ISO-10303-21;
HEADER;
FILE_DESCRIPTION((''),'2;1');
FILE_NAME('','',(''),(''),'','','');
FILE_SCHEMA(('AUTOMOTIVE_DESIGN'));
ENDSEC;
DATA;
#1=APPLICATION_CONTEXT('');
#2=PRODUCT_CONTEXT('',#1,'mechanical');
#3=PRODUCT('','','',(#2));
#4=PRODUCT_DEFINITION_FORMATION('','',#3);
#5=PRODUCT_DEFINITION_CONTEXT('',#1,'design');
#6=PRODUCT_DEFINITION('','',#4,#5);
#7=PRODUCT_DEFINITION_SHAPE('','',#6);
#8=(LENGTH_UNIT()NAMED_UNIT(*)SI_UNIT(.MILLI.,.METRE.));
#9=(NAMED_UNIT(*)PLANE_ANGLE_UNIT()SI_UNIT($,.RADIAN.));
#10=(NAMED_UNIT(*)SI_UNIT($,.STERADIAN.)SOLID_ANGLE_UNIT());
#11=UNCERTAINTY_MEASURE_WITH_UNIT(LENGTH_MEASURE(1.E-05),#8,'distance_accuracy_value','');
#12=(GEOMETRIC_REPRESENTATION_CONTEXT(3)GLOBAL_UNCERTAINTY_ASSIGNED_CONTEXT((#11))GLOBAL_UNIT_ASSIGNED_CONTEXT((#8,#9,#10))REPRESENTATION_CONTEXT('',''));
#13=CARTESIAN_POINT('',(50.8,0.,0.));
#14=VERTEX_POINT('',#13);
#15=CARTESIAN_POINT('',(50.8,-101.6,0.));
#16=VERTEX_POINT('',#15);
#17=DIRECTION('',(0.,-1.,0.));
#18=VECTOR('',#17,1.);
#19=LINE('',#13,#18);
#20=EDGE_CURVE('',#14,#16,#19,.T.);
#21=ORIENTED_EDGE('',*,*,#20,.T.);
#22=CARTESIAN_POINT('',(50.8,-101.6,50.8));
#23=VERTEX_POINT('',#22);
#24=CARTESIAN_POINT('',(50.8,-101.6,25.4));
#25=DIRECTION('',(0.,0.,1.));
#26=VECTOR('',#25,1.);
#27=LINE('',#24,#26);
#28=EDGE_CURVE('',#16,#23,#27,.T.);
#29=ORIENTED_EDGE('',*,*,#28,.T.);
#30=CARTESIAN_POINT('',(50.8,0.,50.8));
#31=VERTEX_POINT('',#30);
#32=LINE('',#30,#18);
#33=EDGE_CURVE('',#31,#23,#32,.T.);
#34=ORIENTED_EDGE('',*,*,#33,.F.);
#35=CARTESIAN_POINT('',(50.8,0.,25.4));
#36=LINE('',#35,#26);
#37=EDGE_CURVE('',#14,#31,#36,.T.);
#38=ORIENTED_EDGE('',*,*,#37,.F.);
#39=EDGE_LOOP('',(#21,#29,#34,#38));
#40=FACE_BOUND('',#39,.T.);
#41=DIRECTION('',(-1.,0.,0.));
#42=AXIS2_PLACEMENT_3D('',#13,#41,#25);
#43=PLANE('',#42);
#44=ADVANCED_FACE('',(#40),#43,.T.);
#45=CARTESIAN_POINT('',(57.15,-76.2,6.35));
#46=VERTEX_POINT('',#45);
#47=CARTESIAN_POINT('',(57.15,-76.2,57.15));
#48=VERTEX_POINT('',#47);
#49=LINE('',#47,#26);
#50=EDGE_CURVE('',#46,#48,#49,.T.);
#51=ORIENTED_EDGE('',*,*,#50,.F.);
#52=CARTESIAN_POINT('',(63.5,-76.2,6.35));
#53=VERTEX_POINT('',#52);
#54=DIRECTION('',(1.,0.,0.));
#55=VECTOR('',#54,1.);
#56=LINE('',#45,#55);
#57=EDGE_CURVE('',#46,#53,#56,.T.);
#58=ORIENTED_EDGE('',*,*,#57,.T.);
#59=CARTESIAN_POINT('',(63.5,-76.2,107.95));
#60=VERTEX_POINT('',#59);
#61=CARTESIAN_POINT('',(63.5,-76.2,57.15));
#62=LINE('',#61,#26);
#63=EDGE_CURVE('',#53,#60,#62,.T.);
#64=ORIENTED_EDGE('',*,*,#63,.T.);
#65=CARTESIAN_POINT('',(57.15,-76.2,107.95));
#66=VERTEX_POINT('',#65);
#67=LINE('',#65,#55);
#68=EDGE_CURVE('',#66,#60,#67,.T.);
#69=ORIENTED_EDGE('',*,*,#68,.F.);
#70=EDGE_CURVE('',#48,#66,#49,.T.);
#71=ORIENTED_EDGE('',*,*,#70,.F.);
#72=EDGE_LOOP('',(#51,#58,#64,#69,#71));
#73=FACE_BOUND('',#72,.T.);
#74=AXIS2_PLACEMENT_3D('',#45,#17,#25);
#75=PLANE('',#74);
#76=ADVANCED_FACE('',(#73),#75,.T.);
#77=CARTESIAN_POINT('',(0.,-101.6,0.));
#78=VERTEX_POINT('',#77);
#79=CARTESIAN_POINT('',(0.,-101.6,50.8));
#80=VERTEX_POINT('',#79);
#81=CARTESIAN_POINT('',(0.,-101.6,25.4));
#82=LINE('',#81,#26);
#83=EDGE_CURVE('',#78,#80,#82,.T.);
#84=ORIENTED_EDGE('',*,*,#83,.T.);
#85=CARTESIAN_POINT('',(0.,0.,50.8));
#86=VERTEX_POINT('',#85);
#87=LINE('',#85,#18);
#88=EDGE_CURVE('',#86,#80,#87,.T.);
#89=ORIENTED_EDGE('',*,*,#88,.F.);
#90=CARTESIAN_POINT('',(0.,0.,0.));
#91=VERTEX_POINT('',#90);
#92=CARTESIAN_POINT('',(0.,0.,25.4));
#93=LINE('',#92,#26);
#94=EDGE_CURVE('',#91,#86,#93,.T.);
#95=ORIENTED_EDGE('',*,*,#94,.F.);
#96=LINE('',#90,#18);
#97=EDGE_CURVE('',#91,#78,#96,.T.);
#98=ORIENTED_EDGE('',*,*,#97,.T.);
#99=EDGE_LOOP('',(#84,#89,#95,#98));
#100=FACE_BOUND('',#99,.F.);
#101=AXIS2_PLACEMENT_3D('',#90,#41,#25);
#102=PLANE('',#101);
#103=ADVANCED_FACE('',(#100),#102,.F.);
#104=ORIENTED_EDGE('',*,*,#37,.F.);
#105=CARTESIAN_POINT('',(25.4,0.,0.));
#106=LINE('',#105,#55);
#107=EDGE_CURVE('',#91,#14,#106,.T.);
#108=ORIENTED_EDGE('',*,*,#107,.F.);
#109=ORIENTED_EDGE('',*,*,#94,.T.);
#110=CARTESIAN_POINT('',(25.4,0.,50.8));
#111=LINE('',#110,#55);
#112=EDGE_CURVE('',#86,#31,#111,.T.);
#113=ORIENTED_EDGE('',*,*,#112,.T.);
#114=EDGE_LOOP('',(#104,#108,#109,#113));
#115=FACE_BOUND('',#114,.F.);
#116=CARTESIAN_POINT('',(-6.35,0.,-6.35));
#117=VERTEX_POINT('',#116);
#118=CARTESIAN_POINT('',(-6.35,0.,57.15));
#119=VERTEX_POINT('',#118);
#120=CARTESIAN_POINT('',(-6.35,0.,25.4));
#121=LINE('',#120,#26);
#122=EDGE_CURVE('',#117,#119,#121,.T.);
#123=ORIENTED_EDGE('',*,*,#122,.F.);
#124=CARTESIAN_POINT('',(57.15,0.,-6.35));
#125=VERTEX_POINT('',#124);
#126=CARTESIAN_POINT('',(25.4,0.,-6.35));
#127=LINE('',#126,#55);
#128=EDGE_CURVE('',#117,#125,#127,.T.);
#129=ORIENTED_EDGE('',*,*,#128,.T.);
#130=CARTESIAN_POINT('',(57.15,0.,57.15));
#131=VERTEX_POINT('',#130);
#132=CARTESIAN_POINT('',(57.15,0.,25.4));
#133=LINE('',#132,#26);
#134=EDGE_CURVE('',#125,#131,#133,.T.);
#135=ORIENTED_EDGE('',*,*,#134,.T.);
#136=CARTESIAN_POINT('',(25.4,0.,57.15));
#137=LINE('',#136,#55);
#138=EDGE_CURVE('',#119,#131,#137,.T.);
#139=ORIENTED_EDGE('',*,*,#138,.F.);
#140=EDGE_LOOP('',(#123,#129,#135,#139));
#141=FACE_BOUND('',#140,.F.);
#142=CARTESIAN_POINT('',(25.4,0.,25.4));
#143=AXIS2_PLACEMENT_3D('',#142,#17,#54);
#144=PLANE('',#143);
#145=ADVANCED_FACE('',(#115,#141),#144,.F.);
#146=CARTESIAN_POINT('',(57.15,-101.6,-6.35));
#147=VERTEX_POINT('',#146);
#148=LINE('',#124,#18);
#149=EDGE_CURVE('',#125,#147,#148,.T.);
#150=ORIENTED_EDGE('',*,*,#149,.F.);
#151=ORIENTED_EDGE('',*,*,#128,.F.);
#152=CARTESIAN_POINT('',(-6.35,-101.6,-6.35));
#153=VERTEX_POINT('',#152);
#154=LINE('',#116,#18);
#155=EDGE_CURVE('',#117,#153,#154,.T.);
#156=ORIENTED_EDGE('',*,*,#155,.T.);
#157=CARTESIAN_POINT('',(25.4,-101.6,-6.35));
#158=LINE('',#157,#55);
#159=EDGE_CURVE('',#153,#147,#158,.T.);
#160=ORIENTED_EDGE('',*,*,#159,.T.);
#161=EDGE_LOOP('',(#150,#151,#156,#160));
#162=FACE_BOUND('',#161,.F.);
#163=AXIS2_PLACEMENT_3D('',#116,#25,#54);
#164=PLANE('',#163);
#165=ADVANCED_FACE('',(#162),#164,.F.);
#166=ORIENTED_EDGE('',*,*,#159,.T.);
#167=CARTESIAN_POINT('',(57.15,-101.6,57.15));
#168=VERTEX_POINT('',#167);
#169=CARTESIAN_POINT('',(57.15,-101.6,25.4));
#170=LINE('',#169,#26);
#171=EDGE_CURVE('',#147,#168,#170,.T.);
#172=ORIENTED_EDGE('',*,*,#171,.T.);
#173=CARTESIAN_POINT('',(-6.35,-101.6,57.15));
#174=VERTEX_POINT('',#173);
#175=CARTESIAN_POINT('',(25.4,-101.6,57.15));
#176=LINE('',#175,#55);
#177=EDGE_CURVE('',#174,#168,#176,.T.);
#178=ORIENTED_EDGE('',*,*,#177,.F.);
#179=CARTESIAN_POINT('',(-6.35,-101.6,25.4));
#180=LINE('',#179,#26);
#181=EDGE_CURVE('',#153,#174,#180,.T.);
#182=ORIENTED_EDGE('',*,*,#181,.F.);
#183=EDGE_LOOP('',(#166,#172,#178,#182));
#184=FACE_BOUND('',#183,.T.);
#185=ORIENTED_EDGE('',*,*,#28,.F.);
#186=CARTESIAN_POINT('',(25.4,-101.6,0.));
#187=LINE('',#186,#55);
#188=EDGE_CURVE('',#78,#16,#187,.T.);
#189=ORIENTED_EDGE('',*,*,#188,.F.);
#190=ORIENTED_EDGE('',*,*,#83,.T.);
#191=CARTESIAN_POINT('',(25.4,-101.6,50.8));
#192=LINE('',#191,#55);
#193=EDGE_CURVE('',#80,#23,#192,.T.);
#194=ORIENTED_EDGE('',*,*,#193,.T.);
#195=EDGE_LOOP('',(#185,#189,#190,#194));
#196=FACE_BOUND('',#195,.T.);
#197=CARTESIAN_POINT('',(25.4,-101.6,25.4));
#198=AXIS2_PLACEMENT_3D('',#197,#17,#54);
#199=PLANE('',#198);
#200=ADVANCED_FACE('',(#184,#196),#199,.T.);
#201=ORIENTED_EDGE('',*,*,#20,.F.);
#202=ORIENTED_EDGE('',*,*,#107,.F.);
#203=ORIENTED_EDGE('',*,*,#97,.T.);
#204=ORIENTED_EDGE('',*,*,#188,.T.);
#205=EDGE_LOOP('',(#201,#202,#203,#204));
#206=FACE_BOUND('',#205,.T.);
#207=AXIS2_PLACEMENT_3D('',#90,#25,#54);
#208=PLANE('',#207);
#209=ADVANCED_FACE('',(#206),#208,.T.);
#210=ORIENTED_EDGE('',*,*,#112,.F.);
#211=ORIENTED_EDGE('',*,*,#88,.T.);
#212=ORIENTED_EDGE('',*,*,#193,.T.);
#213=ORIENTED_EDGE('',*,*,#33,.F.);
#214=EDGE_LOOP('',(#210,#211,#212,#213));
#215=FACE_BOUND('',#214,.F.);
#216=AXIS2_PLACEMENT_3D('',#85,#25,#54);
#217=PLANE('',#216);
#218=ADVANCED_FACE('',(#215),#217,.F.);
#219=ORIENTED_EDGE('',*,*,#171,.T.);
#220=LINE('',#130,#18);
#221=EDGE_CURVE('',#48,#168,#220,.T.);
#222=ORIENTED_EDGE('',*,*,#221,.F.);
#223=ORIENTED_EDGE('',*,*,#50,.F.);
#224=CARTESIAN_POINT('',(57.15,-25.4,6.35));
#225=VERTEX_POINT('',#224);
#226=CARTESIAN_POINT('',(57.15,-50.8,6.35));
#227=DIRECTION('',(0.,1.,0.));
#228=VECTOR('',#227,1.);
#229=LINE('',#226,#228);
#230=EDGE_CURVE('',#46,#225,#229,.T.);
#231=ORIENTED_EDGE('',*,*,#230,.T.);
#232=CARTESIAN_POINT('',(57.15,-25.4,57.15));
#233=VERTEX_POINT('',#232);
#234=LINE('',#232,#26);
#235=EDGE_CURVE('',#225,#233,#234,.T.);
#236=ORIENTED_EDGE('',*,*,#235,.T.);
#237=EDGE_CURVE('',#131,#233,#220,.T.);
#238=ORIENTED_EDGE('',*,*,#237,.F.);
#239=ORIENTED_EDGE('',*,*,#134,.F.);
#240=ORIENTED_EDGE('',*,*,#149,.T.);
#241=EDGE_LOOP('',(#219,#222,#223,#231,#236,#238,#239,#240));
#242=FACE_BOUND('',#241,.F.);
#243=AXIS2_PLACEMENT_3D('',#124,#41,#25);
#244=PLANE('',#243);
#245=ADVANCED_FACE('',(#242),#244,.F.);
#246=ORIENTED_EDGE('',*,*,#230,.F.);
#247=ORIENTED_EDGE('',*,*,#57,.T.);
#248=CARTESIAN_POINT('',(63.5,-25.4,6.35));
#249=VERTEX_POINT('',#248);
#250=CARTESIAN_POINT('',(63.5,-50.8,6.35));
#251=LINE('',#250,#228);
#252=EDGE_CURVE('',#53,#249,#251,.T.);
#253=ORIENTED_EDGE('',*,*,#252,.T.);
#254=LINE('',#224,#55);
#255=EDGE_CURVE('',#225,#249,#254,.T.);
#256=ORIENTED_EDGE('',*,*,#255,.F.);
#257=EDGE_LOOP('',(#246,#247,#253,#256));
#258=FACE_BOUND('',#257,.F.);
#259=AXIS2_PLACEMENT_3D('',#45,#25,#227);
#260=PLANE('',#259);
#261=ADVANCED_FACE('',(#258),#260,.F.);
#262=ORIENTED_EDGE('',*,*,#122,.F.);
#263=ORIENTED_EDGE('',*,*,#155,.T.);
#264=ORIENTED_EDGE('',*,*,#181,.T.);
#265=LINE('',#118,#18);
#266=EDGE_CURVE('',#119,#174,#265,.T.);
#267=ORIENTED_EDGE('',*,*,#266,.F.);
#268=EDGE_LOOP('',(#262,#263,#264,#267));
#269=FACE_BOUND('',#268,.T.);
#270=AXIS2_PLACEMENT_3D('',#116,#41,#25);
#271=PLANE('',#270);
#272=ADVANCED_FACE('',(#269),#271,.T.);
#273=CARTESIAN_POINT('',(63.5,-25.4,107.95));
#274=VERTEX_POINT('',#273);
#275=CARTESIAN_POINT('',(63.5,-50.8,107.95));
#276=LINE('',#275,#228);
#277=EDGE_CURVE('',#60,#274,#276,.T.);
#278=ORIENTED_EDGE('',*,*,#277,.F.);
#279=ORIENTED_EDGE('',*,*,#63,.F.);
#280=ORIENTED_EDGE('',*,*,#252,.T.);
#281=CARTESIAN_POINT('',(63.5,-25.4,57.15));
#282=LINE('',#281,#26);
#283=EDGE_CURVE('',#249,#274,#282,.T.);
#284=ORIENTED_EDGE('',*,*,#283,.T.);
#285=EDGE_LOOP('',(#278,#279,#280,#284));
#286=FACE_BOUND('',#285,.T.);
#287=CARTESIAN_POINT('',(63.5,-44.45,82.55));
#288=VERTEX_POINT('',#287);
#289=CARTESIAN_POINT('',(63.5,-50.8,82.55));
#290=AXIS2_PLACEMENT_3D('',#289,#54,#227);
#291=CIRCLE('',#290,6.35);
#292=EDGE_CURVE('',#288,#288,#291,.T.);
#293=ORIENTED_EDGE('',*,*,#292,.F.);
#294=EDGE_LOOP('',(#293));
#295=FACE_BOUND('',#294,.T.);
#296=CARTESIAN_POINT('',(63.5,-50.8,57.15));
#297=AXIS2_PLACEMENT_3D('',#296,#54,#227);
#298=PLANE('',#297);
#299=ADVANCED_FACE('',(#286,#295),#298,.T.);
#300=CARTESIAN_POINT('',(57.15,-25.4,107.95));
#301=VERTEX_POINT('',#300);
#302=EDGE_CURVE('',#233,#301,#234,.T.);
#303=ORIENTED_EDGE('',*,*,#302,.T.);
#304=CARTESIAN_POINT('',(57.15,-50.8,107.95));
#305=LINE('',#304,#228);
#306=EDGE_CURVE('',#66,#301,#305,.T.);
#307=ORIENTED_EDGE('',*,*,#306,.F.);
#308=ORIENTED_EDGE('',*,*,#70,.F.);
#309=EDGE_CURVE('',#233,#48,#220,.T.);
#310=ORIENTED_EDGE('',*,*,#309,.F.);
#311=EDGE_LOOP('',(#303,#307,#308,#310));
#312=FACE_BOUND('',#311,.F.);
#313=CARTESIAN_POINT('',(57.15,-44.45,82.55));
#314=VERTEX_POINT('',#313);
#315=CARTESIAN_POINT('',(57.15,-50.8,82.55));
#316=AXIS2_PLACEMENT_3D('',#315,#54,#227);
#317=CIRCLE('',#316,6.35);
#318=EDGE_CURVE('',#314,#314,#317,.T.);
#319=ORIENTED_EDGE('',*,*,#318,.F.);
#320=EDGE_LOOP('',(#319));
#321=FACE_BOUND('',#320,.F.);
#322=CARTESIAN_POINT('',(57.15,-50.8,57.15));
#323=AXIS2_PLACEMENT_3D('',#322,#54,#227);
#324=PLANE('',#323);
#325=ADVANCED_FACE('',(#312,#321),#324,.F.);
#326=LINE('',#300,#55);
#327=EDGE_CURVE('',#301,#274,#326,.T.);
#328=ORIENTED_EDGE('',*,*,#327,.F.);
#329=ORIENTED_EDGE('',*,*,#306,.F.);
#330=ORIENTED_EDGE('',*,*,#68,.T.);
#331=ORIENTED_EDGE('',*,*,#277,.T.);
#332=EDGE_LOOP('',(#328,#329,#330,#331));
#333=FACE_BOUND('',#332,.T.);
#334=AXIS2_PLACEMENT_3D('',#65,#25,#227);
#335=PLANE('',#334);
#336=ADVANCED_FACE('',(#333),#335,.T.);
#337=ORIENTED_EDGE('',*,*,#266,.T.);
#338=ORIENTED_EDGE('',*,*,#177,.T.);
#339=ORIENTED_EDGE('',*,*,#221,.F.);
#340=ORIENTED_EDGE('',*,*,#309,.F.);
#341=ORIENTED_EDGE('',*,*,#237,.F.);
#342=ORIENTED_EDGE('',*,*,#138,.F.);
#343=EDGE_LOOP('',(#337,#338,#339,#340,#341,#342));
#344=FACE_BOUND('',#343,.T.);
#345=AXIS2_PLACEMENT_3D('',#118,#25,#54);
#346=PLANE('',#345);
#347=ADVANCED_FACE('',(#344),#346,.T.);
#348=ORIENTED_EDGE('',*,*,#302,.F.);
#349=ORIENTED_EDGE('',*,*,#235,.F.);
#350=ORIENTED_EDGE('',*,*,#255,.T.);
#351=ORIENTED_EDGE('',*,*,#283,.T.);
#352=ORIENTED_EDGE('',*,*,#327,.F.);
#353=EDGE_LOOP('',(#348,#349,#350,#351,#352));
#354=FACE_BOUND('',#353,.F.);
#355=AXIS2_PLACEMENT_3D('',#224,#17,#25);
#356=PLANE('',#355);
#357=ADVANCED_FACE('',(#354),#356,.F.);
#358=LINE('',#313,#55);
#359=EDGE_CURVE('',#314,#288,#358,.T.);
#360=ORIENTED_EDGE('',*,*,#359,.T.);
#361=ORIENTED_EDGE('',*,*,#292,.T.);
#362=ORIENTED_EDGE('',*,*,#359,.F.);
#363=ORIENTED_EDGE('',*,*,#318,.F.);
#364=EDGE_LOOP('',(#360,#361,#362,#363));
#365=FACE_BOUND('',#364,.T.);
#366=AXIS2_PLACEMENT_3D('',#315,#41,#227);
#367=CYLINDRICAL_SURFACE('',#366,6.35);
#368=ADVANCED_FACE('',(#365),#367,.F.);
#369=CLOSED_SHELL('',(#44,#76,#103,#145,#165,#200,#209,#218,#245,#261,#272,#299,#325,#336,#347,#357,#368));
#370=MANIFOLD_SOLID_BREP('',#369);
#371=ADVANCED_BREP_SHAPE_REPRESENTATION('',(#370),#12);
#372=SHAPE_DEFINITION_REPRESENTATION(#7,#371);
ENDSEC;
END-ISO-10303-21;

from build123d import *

# Parameters (mm, degrees)
F0_W     = 63.5
F0_H     = 63.5
F0_W_2   = 50.8
F0_H_2   = 50.8
F1_DEPTH = 101.6
F2_W     = 50.8
F2_H     = 101.6
F2_R     = 6.35
F3_DEPTH = 6.35


with BuildPart() as f1:
    # F0 (on Front) → F1 (new body)
    with BuildSketch(Plane.XZ):
        with Locations((25.4, 25.4)):
            Rectangle(F0_W, F0_H)
        with Locations((25.4, 25.4)):
            Rectangle(F0_W_2, F0_H_2, mode=Mode.SUBTRACT)
    extrude(amount=F1_DEPTH)

    # F2 (on face) → F3 (join)
    with BuildSketch(Plane.YZ.offset(57.15)):
        with Locations((-50.8, 57.15)):
            Rectangle(F2_W, F2_H)
        with Locations((-50.8, 82.55)):
            Circle(F2_R, mode=Mode.SUBTRACT)
    extrude(amount=F3_DEPTH)


solid = f1.part
